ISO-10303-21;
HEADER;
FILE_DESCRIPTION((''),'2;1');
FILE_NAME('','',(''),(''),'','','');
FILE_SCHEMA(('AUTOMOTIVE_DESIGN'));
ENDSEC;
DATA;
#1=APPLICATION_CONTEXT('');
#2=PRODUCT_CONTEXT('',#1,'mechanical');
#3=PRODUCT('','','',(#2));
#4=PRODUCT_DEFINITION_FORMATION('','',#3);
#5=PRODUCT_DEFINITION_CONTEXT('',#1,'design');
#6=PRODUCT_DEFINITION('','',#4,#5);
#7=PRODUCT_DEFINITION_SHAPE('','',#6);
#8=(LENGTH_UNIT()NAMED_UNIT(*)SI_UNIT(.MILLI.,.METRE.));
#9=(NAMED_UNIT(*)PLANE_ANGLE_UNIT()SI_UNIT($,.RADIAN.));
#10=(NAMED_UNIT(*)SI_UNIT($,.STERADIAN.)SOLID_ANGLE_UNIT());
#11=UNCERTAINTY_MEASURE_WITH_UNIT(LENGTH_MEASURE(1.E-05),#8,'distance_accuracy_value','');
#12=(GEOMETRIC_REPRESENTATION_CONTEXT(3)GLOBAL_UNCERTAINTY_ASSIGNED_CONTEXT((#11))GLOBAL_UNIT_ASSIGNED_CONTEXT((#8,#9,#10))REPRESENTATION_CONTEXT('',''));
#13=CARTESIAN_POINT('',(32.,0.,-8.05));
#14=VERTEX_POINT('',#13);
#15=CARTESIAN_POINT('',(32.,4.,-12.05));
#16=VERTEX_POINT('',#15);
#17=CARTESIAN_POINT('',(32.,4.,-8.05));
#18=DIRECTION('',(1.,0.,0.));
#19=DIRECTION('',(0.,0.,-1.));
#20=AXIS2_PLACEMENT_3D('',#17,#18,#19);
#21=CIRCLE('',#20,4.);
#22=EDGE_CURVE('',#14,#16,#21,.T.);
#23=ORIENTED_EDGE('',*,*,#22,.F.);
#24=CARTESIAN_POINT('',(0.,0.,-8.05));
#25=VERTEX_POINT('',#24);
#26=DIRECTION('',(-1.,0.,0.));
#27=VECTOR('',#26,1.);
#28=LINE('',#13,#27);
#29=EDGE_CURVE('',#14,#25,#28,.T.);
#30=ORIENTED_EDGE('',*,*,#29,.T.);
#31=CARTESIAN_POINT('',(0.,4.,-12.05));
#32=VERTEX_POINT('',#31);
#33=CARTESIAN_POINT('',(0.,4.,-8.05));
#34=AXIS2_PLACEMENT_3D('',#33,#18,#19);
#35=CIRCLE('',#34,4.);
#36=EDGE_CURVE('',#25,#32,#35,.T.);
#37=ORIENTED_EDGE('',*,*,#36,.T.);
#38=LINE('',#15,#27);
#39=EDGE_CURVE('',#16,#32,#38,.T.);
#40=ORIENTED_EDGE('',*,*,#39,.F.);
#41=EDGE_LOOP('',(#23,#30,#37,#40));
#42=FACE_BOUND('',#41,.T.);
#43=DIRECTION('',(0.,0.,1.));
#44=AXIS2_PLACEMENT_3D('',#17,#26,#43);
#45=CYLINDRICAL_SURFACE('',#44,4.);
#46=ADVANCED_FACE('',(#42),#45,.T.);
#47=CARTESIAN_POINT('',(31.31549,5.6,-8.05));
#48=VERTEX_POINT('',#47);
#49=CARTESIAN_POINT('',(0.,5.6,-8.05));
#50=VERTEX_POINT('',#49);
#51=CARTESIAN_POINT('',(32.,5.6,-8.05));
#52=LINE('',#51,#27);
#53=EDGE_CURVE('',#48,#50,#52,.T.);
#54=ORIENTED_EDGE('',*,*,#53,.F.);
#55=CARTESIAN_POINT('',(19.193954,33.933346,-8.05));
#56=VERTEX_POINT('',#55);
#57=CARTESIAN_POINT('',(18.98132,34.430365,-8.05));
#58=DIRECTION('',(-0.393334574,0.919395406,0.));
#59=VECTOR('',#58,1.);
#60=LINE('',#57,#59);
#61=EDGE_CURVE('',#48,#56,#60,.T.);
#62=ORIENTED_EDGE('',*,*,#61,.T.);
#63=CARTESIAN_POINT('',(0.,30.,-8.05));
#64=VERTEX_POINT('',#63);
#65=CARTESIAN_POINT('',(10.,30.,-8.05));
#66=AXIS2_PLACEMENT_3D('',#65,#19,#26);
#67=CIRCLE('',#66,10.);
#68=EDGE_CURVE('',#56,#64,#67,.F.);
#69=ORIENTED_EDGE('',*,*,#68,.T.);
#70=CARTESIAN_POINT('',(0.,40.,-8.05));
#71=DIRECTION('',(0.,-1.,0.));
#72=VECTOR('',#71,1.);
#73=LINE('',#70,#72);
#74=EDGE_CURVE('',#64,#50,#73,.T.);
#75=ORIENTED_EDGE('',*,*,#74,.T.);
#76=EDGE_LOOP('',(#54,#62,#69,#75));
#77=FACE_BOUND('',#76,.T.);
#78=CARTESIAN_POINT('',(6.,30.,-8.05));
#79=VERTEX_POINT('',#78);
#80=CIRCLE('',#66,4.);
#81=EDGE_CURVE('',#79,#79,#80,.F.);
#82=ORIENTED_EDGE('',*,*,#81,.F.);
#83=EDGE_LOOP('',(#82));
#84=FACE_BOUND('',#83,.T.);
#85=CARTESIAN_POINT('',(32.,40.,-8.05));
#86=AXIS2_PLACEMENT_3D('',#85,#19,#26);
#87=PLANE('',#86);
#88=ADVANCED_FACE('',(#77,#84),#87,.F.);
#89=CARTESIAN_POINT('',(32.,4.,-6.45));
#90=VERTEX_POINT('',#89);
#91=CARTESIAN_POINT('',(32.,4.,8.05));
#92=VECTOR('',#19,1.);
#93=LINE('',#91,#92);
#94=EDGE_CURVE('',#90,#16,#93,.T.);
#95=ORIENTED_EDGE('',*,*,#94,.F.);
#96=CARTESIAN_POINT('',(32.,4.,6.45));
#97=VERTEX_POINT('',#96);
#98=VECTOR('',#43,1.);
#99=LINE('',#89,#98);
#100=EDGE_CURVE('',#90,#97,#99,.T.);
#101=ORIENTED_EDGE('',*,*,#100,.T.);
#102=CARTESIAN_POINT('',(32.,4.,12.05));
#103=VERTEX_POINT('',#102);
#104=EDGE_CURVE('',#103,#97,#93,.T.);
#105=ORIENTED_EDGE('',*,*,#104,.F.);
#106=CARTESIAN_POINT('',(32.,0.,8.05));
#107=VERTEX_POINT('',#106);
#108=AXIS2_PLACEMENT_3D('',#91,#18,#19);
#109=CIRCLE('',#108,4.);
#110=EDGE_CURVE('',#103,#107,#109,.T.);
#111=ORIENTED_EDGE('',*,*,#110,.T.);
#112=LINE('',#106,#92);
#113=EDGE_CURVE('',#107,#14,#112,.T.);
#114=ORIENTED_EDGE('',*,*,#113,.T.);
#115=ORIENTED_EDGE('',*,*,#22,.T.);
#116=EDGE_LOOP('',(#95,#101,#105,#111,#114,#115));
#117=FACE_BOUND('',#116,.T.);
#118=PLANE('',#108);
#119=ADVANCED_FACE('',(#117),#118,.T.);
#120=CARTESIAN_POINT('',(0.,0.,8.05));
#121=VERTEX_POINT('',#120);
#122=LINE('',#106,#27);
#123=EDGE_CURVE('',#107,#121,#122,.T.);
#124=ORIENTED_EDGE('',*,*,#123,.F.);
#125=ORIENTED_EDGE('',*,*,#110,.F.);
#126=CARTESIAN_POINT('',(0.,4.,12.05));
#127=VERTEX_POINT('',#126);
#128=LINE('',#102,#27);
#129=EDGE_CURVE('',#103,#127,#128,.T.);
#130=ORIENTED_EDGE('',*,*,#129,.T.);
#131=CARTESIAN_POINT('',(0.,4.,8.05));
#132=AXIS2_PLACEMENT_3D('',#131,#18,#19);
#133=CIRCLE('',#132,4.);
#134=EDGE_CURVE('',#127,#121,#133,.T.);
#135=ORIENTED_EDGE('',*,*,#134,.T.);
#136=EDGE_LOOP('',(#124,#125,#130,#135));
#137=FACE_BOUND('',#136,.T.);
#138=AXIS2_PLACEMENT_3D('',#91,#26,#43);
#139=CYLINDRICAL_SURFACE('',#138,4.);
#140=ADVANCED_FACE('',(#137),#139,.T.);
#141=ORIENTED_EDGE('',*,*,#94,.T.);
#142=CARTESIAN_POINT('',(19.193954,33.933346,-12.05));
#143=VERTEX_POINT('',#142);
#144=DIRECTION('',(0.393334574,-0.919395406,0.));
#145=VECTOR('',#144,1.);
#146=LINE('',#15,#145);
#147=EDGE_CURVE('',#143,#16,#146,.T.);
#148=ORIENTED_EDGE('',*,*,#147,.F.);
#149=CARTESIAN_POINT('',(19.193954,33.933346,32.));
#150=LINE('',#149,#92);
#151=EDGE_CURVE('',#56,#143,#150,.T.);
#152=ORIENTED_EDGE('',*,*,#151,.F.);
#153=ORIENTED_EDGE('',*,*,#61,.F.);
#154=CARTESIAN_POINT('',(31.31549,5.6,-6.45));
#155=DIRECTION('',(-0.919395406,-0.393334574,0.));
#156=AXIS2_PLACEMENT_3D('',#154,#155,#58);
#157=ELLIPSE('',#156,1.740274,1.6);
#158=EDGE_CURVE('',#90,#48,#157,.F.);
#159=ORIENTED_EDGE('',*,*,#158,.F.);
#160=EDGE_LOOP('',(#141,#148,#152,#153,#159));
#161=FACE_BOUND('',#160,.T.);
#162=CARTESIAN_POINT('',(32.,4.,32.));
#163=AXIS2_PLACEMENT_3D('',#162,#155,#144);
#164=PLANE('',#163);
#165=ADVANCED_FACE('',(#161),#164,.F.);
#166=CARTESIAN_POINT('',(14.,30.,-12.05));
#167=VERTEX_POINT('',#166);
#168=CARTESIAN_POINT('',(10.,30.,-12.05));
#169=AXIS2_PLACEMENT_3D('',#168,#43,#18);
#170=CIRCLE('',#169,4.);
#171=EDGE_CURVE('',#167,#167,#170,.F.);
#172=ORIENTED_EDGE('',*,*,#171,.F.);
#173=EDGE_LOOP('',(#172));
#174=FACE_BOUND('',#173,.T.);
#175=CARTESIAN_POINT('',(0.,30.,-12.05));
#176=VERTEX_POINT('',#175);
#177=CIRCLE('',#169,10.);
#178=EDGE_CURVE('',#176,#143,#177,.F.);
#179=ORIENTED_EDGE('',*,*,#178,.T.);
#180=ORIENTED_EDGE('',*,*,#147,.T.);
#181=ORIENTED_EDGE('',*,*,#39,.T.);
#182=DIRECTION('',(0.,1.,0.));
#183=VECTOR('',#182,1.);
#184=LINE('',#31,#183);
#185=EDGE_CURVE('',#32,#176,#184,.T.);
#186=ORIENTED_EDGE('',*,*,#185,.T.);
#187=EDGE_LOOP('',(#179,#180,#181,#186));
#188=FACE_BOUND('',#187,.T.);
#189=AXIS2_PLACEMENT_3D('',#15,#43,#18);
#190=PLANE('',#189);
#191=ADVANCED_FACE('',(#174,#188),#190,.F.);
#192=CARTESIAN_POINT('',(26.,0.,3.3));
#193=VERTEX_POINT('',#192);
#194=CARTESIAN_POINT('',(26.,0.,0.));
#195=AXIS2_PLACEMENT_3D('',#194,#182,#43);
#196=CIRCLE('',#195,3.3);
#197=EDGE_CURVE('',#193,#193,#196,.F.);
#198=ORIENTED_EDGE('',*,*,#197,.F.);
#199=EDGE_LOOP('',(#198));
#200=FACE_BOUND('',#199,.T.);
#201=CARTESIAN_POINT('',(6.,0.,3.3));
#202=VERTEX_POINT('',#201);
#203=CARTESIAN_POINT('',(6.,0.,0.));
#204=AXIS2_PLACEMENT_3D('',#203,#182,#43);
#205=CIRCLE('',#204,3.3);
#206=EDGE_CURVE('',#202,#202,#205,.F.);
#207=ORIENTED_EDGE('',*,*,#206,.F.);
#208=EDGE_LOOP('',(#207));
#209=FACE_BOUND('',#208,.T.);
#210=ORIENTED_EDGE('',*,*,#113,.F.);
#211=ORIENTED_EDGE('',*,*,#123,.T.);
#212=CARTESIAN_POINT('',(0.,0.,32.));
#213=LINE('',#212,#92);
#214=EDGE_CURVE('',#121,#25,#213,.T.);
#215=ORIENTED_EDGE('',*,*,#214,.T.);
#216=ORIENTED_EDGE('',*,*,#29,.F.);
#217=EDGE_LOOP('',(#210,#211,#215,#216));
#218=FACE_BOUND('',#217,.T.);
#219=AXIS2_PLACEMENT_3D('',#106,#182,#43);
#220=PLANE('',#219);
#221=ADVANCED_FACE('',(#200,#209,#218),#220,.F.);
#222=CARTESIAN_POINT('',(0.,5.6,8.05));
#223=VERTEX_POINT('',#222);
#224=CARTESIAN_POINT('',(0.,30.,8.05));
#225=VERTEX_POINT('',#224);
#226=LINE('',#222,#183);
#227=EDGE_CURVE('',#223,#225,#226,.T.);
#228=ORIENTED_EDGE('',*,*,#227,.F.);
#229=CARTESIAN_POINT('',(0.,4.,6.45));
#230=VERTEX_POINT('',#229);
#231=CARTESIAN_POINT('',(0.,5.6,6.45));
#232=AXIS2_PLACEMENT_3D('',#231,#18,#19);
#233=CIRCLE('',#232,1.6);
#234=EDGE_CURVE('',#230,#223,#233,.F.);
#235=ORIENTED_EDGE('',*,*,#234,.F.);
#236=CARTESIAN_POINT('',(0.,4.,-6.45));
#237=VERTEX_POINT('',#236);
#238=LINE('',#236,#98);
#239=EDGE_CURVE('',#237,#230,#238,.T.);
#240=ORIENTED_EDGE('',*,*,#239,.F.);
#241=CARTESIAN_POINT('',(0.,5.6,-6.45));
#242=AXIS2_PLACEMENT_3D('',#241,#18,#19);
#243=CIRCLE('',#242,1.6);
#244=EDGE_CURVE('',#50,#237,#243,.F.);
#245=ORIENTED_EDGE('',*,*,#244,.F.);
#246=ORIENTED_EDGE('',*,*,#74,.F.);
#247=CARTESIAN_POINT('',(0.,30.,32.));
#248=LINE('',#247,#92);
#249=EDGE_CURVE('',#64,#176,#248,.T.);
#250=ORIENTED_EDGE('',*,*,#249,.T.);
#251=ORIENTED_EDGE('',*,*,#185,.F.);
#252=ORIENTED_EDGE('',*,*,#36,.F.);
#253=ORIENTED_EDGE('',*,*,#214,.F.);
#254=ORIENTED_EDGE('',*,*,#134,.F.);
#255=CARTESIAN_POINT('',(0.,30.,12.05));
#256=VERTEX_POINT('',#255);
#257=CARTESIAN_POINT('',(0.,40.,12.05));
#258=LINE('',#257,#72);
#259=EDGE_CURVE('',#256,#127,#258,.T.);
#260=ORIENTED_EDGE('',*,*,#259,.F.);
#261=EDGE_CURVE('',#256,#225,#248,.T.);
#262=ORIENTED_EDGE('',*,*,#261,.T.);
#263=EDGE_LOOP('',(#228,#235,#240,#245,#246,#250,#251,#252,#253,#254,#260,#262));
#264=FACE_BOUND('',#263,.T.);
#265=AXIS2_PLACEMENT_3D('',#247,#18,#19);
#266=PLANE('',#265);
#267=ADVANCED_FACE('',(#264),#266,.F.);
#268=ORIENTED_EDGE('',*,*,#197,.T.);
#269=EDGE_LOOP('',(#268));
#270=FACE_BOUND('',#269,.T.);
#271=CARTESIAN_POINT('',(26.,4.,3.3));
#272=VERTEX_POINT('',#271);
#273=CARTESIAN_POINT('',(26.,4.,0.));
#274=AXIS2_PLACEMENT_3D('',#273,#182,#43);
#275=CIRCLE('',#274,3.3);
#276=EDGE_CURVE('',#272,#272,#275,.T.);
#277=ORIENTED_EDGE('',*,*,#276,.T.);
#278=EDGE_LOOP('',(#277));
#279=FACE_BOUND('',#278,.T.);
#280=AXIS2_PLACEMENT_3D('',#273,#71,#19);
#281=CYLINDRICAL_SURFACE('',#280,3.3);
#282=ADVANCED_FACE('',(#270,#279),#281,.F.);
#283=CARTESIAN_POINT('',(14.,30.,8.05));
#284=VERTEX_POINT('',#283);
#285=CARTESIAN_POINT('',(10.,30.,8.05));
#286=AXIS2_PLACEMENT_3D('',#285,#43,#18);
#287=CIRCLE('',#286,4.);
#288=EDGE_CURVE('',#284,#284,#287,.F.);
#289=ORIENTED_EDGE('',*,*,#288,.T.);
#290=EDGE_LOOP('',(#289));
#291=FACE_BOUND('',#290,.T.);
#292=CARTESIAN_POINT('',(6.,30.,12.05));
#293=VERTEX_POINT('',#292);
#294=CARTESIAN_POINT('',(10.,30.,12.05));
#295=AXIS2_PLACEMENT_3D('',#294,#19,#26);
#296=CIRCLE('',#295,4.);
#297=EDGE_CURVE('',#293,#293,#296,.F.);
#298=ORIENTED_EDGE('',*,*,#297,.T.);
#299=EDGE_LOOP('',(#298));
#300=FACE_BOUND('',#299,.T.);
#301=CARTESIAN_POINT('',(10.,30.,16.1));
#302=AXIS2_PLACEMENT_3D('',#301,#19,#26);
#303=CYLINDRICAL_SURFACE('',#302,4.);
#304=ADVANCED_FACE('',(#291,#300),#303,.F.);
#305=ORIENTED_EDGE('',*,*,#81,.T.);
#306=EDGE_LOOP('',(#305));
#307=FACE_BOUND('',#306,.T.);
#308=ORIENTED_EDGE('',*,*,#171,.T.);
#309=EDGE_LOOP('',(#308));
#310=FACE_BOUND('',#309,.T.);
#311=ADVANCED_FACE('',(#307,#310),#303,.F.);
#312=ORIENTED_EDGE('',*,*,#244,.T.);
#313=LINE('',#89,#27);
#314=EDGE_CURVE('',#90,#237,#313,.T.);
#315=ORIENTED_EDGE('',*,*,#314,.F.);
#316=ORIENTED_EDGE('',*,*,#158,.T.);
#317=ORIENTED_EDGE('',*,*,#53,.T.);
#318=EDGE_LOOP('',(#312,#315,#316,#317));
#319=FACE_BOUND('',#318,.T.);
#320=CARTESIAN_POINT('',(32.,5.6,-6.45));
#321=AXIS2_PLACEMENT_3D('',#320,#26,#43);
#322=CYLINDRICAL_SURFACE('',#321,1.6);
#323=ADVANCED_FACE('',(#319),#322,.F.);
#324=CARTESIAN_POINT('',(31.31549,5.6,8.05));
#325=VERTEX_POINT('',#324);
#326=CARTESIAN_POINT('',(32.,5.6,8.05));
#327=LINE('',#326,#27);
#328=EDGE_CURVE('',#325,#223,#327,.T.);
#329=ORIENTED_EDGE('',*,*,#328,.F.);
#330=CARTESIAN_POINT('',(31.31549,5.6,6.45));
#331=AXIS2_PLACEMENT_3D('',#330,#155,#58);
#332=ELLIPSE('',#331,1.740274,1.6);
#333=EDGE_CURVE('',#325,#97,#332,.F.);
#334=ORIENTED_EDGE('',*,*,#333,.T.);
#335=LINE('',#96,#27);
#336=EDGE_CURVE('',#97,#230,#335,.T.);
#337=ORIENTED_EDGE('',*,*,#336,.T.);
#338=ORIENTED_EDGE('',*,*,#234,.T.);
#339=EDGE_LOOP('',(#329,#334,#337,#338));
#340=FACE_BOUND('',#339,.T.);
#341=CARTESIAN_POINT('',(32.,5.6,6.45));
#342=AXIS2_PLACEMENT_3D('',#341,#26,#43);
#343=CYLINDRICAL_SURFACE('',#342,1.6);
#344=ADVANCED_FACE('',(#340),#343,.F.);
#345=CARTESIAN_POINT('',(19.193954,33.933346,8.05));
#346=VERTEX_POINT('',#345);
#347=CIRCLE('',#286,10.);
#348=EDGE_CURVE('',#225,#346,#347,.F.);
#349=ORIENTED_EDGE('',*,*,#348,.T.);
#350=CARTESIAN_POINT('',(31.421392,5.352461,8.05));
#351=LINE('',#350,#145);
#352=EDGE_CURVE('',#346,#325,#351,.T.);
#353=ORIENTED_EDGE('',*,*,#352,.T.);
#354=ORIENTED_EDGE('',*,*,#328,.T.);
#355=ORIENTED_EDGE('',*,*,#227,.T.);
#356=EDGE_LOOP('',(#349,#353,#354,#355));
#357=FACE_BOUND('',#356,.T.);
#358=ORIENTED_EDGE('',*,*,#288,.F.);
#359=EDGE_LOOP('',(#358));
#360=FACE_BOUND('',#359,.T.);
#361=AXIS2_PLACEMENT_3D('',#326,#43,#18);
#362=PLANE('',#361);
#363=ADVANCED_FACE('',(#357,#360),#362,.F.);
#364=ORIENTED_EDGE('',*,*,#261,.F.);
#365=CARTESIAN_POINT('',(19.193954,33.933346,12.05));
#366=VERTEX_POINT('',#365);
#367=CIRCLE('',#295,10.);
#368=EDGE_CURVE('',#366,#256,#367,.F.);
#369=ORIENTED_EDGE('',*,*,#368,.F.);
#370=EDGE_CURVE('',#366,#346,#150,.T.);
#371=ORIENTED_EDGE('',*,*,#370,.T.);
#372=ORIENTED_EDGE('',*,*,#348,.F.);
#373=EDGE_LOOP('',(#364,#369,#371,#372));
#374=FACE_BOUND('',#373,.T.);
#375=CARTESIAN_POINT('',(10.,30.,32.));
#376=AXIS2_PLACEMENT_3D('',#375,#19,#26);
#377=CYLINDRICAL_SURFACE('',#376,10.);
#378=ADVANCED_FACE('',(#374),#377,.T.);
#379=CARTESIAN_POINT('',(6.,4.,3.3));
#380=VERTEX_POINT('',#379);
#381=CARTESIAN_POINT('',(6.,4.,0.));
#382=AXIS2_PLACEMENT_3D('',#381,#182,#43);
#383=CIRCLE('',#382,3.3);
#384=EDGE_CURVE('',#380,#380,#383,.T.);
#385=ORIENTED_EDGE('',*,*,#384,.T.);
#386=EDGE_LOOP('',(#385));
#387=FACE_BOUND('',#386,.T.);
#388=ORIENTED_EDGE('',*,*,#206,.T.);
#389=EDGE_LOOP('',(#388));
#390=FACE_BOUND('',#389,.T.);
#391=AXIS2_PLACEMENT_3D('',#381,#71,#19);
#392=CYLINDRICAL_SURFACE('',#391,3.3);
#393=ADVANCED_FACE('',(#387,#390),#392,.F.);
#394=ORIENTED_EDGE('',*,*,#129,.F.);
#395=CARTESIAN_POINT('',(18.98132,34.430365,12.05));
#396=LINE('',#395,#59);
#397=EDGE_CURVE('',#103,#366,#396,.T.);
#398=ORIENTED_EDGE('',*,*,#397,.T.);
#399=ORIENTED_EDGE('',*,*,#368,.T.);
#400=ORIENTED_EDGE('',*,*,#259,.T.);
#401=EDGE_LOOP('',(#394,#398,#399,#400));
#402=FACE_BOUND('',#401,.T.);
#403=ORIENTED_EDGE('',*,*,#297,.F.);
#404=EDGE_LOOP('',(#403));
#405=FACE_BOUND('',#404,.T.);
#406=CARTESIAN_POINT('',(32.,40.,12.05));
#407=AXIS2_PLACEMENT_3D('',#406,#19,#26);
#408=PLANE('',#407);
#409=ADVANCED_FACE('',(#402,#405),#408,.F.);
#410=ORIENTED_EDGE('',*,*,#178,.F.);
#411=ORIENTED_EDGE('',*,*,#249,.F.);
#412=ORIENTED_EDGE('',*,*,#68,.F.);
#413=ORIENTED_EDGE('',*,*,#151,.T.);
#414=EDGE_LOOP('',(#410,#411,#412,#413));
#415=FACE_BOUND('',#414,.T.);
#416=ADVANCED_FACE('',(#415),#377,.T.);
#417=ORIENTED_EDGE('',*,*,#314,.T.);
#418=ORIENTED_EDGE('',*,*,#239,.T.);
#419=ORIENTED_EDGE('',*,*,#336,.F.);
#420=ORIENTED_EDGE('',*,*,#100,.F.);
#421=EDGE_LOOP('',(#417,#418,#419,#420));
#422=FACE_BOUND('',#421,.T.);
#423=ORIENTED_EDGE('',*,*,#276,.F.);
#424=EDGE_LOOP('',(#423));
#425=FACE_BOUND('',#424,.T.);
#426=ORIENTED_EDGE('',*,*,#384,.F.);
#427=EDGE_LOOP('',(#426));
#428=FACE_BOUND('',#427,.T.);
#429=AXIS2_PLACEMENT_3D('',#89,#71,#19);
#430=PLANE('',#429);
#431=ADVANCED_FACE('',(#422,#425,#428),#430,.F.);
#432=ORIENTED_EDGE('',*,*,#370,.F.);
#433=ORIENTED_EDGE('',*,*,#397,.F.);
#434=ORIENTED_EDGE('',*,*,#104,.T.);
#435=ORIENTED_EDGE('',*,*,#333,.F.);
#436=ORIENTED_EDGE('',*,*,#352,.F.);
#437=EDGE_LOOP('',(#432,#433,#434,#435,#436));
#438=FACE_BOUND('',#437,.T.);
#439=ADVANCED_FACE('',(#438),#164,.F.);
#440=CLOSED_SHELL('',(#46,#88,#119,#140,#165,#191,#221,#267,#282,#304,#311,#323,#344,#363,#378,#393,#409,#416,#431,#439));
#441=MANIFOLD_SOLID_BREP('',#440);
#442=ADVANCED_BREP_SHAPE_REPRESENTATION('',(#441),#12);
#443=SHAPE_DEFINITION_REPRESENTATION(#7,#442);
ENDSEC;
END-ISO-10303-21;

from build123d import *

# Parameters (mm, degrees)
BOSS_EXTRUDE1_DEPTH      = 32
BOSS_EXTRUDE1_DEPTH_BACK = 32
CUT_EXTRUDE1_DEPTH       = 32
CUT_EXTRUDE1_DEPTH_BACK  = 32
SKETCH2_W                = 96.2
SKETCH2_H                = 76.1
CUT_EXTRUDE2_DEPTH       = 16.1
CUT_EXTRUDE2_DEPTH_BACK  = 16.1
SKETCH3_R                = 4
CUT_EXTRUDE3_DEPTH       = 4
CUT_EXTRUDE3_DEPTH_BACK  = 4
SKETCH4_R                = 3.3
CUT_EXTRUDE4_DEPTH       = 4
CUT_EXTRUDE4_DEPTH_BACK  = 4
SKETCH5_R                = 3.3


with BuildPart() as part:
    # Sketch1 → Boss-Extrude1 (new, two sides: drawn at the far end of the back side and taken through both)
    with BuildSketch(Plane(origin=(0, 0, 0), x_dir=(0, 0, -1), z_dir=(1, 0, 0)).offset(-BOSS_EXTRUDE1_DEPTH_BACK)):
        with BuildLine():
            Line((-8.05, 0), (8.05, 0))
            ThreePointArc((8.05, 0), (10.878427125, 1.171572875), (12.05, 4))
            Line((12.05, 4), (12.05, 40))
            Line((12.05, 40), (8.05, 40))
            Line((8.05, 40), (8.05, 5.6))
            ThreePointArc((8.05, 5.6), (7.58137085, 4.46862915), (6.45, 4))
            Line((6.45, 4), (-6.45, 4))
            ThreePointArc((-6.45, 4), (-7.58137085, 4.46862915), (-8.05, 5.6))
            Line((-8.05, 5.6), (-8.05, 40))
            Line((-8.05, 40), (-12.05, 40))
            Line((-12.05, 40), (-12.05, 4))
            ThreePointArc((-12.05, 4), (-10.878427125, 1.171572875), (-8.05, 0))
        make_face()
    extrude(amount=BOSS_EXTRUDE1_DEPTH + BOSS_EXTRUDE1_DEPTH_BACK)

    # Sketch2 → Cut-Extrude1 (cut, two sides: drawn at the far end of the back side and taken through both)
    with BuildSketch(Plane.XY.offset(-CUT_EXTRUDE1_DEPTH_BACK)):
        with Locations((0, 21.95)):
            Rectangle(SKETCH2_W, SKETCH2_H)
        with BuildLine():
            Line((0, 30), (0, 0))
            Line((0, 0), (32, 0))
            Line((32, 0), (32, 4))
            Line((32, 4), (19.19395406, 33.933345743))
            ThreePointArc((19.19395406, 33.933345743), (7.9924568, 39.796416197), (0, 30))
        make_face(mode=Mode.SUBTRACT)
    extrude(amount=CUT_EXTRUDE1_DEPTH + CUT_EXTRUDE1_DEPTH_BACK, mode=Mode.SUBTRACT)

    # Sketch3 → Cut-Extrude2 (cut, two sides: drawn at the far end of the back side and taken through both)
    with BuildSketch(Plane.XY.offset(-CUT_EXTRUDE2_DEPTH_BACK)):
        with Locations((10, 30)):
            Circle(SKETCH3_R)
    extrude(amount=CUT_EXTRUDE2_DEPTH + CUT_EXTRUDE2_DEPTH_BACK, mode=Mode.SUBTRACT)

    # Sketch4 → Cut-Extrude3 (cut, two sides: drawn at the far end of the back side and taken through both)
    with BuildSketch(Plane(origin=(0, 0, 0), x_dir=(1, 0, 0), z_dir=(0, 1, 0)).offset(-CUT_EXTRUDE3_DEPTH_BACK)):
        with Locations((6, 0)):
            Circle(SKETCH4_R)
    extrude(amount=CUT_EXTRUDE3_DEPTH + CUT_EXTRUDE3_DEPTH_BACK, mode=Mode.SUBTRACT)

    # Sketch5 → Cut-Extrude4 (cut, two sides: drawn at the far end of the back side and taken through both)
    with BuildSketch(Plane(origin=(0, 0, 0), x_dir=(1, 0, 0), z_dir=(0, 1, 0)).offset(-CUT_EXTRUDE4_DEPTH_BACK)):
        with Locations((26, 0)):
            Circle(SKETCH5_R)
    extrude(amount=CUT_EXTRUDE4_DEPTH + CUT_EXTRUDE4_DEPTH_BACK, mode=Mode.SUBTRACT)


solid = part.part
